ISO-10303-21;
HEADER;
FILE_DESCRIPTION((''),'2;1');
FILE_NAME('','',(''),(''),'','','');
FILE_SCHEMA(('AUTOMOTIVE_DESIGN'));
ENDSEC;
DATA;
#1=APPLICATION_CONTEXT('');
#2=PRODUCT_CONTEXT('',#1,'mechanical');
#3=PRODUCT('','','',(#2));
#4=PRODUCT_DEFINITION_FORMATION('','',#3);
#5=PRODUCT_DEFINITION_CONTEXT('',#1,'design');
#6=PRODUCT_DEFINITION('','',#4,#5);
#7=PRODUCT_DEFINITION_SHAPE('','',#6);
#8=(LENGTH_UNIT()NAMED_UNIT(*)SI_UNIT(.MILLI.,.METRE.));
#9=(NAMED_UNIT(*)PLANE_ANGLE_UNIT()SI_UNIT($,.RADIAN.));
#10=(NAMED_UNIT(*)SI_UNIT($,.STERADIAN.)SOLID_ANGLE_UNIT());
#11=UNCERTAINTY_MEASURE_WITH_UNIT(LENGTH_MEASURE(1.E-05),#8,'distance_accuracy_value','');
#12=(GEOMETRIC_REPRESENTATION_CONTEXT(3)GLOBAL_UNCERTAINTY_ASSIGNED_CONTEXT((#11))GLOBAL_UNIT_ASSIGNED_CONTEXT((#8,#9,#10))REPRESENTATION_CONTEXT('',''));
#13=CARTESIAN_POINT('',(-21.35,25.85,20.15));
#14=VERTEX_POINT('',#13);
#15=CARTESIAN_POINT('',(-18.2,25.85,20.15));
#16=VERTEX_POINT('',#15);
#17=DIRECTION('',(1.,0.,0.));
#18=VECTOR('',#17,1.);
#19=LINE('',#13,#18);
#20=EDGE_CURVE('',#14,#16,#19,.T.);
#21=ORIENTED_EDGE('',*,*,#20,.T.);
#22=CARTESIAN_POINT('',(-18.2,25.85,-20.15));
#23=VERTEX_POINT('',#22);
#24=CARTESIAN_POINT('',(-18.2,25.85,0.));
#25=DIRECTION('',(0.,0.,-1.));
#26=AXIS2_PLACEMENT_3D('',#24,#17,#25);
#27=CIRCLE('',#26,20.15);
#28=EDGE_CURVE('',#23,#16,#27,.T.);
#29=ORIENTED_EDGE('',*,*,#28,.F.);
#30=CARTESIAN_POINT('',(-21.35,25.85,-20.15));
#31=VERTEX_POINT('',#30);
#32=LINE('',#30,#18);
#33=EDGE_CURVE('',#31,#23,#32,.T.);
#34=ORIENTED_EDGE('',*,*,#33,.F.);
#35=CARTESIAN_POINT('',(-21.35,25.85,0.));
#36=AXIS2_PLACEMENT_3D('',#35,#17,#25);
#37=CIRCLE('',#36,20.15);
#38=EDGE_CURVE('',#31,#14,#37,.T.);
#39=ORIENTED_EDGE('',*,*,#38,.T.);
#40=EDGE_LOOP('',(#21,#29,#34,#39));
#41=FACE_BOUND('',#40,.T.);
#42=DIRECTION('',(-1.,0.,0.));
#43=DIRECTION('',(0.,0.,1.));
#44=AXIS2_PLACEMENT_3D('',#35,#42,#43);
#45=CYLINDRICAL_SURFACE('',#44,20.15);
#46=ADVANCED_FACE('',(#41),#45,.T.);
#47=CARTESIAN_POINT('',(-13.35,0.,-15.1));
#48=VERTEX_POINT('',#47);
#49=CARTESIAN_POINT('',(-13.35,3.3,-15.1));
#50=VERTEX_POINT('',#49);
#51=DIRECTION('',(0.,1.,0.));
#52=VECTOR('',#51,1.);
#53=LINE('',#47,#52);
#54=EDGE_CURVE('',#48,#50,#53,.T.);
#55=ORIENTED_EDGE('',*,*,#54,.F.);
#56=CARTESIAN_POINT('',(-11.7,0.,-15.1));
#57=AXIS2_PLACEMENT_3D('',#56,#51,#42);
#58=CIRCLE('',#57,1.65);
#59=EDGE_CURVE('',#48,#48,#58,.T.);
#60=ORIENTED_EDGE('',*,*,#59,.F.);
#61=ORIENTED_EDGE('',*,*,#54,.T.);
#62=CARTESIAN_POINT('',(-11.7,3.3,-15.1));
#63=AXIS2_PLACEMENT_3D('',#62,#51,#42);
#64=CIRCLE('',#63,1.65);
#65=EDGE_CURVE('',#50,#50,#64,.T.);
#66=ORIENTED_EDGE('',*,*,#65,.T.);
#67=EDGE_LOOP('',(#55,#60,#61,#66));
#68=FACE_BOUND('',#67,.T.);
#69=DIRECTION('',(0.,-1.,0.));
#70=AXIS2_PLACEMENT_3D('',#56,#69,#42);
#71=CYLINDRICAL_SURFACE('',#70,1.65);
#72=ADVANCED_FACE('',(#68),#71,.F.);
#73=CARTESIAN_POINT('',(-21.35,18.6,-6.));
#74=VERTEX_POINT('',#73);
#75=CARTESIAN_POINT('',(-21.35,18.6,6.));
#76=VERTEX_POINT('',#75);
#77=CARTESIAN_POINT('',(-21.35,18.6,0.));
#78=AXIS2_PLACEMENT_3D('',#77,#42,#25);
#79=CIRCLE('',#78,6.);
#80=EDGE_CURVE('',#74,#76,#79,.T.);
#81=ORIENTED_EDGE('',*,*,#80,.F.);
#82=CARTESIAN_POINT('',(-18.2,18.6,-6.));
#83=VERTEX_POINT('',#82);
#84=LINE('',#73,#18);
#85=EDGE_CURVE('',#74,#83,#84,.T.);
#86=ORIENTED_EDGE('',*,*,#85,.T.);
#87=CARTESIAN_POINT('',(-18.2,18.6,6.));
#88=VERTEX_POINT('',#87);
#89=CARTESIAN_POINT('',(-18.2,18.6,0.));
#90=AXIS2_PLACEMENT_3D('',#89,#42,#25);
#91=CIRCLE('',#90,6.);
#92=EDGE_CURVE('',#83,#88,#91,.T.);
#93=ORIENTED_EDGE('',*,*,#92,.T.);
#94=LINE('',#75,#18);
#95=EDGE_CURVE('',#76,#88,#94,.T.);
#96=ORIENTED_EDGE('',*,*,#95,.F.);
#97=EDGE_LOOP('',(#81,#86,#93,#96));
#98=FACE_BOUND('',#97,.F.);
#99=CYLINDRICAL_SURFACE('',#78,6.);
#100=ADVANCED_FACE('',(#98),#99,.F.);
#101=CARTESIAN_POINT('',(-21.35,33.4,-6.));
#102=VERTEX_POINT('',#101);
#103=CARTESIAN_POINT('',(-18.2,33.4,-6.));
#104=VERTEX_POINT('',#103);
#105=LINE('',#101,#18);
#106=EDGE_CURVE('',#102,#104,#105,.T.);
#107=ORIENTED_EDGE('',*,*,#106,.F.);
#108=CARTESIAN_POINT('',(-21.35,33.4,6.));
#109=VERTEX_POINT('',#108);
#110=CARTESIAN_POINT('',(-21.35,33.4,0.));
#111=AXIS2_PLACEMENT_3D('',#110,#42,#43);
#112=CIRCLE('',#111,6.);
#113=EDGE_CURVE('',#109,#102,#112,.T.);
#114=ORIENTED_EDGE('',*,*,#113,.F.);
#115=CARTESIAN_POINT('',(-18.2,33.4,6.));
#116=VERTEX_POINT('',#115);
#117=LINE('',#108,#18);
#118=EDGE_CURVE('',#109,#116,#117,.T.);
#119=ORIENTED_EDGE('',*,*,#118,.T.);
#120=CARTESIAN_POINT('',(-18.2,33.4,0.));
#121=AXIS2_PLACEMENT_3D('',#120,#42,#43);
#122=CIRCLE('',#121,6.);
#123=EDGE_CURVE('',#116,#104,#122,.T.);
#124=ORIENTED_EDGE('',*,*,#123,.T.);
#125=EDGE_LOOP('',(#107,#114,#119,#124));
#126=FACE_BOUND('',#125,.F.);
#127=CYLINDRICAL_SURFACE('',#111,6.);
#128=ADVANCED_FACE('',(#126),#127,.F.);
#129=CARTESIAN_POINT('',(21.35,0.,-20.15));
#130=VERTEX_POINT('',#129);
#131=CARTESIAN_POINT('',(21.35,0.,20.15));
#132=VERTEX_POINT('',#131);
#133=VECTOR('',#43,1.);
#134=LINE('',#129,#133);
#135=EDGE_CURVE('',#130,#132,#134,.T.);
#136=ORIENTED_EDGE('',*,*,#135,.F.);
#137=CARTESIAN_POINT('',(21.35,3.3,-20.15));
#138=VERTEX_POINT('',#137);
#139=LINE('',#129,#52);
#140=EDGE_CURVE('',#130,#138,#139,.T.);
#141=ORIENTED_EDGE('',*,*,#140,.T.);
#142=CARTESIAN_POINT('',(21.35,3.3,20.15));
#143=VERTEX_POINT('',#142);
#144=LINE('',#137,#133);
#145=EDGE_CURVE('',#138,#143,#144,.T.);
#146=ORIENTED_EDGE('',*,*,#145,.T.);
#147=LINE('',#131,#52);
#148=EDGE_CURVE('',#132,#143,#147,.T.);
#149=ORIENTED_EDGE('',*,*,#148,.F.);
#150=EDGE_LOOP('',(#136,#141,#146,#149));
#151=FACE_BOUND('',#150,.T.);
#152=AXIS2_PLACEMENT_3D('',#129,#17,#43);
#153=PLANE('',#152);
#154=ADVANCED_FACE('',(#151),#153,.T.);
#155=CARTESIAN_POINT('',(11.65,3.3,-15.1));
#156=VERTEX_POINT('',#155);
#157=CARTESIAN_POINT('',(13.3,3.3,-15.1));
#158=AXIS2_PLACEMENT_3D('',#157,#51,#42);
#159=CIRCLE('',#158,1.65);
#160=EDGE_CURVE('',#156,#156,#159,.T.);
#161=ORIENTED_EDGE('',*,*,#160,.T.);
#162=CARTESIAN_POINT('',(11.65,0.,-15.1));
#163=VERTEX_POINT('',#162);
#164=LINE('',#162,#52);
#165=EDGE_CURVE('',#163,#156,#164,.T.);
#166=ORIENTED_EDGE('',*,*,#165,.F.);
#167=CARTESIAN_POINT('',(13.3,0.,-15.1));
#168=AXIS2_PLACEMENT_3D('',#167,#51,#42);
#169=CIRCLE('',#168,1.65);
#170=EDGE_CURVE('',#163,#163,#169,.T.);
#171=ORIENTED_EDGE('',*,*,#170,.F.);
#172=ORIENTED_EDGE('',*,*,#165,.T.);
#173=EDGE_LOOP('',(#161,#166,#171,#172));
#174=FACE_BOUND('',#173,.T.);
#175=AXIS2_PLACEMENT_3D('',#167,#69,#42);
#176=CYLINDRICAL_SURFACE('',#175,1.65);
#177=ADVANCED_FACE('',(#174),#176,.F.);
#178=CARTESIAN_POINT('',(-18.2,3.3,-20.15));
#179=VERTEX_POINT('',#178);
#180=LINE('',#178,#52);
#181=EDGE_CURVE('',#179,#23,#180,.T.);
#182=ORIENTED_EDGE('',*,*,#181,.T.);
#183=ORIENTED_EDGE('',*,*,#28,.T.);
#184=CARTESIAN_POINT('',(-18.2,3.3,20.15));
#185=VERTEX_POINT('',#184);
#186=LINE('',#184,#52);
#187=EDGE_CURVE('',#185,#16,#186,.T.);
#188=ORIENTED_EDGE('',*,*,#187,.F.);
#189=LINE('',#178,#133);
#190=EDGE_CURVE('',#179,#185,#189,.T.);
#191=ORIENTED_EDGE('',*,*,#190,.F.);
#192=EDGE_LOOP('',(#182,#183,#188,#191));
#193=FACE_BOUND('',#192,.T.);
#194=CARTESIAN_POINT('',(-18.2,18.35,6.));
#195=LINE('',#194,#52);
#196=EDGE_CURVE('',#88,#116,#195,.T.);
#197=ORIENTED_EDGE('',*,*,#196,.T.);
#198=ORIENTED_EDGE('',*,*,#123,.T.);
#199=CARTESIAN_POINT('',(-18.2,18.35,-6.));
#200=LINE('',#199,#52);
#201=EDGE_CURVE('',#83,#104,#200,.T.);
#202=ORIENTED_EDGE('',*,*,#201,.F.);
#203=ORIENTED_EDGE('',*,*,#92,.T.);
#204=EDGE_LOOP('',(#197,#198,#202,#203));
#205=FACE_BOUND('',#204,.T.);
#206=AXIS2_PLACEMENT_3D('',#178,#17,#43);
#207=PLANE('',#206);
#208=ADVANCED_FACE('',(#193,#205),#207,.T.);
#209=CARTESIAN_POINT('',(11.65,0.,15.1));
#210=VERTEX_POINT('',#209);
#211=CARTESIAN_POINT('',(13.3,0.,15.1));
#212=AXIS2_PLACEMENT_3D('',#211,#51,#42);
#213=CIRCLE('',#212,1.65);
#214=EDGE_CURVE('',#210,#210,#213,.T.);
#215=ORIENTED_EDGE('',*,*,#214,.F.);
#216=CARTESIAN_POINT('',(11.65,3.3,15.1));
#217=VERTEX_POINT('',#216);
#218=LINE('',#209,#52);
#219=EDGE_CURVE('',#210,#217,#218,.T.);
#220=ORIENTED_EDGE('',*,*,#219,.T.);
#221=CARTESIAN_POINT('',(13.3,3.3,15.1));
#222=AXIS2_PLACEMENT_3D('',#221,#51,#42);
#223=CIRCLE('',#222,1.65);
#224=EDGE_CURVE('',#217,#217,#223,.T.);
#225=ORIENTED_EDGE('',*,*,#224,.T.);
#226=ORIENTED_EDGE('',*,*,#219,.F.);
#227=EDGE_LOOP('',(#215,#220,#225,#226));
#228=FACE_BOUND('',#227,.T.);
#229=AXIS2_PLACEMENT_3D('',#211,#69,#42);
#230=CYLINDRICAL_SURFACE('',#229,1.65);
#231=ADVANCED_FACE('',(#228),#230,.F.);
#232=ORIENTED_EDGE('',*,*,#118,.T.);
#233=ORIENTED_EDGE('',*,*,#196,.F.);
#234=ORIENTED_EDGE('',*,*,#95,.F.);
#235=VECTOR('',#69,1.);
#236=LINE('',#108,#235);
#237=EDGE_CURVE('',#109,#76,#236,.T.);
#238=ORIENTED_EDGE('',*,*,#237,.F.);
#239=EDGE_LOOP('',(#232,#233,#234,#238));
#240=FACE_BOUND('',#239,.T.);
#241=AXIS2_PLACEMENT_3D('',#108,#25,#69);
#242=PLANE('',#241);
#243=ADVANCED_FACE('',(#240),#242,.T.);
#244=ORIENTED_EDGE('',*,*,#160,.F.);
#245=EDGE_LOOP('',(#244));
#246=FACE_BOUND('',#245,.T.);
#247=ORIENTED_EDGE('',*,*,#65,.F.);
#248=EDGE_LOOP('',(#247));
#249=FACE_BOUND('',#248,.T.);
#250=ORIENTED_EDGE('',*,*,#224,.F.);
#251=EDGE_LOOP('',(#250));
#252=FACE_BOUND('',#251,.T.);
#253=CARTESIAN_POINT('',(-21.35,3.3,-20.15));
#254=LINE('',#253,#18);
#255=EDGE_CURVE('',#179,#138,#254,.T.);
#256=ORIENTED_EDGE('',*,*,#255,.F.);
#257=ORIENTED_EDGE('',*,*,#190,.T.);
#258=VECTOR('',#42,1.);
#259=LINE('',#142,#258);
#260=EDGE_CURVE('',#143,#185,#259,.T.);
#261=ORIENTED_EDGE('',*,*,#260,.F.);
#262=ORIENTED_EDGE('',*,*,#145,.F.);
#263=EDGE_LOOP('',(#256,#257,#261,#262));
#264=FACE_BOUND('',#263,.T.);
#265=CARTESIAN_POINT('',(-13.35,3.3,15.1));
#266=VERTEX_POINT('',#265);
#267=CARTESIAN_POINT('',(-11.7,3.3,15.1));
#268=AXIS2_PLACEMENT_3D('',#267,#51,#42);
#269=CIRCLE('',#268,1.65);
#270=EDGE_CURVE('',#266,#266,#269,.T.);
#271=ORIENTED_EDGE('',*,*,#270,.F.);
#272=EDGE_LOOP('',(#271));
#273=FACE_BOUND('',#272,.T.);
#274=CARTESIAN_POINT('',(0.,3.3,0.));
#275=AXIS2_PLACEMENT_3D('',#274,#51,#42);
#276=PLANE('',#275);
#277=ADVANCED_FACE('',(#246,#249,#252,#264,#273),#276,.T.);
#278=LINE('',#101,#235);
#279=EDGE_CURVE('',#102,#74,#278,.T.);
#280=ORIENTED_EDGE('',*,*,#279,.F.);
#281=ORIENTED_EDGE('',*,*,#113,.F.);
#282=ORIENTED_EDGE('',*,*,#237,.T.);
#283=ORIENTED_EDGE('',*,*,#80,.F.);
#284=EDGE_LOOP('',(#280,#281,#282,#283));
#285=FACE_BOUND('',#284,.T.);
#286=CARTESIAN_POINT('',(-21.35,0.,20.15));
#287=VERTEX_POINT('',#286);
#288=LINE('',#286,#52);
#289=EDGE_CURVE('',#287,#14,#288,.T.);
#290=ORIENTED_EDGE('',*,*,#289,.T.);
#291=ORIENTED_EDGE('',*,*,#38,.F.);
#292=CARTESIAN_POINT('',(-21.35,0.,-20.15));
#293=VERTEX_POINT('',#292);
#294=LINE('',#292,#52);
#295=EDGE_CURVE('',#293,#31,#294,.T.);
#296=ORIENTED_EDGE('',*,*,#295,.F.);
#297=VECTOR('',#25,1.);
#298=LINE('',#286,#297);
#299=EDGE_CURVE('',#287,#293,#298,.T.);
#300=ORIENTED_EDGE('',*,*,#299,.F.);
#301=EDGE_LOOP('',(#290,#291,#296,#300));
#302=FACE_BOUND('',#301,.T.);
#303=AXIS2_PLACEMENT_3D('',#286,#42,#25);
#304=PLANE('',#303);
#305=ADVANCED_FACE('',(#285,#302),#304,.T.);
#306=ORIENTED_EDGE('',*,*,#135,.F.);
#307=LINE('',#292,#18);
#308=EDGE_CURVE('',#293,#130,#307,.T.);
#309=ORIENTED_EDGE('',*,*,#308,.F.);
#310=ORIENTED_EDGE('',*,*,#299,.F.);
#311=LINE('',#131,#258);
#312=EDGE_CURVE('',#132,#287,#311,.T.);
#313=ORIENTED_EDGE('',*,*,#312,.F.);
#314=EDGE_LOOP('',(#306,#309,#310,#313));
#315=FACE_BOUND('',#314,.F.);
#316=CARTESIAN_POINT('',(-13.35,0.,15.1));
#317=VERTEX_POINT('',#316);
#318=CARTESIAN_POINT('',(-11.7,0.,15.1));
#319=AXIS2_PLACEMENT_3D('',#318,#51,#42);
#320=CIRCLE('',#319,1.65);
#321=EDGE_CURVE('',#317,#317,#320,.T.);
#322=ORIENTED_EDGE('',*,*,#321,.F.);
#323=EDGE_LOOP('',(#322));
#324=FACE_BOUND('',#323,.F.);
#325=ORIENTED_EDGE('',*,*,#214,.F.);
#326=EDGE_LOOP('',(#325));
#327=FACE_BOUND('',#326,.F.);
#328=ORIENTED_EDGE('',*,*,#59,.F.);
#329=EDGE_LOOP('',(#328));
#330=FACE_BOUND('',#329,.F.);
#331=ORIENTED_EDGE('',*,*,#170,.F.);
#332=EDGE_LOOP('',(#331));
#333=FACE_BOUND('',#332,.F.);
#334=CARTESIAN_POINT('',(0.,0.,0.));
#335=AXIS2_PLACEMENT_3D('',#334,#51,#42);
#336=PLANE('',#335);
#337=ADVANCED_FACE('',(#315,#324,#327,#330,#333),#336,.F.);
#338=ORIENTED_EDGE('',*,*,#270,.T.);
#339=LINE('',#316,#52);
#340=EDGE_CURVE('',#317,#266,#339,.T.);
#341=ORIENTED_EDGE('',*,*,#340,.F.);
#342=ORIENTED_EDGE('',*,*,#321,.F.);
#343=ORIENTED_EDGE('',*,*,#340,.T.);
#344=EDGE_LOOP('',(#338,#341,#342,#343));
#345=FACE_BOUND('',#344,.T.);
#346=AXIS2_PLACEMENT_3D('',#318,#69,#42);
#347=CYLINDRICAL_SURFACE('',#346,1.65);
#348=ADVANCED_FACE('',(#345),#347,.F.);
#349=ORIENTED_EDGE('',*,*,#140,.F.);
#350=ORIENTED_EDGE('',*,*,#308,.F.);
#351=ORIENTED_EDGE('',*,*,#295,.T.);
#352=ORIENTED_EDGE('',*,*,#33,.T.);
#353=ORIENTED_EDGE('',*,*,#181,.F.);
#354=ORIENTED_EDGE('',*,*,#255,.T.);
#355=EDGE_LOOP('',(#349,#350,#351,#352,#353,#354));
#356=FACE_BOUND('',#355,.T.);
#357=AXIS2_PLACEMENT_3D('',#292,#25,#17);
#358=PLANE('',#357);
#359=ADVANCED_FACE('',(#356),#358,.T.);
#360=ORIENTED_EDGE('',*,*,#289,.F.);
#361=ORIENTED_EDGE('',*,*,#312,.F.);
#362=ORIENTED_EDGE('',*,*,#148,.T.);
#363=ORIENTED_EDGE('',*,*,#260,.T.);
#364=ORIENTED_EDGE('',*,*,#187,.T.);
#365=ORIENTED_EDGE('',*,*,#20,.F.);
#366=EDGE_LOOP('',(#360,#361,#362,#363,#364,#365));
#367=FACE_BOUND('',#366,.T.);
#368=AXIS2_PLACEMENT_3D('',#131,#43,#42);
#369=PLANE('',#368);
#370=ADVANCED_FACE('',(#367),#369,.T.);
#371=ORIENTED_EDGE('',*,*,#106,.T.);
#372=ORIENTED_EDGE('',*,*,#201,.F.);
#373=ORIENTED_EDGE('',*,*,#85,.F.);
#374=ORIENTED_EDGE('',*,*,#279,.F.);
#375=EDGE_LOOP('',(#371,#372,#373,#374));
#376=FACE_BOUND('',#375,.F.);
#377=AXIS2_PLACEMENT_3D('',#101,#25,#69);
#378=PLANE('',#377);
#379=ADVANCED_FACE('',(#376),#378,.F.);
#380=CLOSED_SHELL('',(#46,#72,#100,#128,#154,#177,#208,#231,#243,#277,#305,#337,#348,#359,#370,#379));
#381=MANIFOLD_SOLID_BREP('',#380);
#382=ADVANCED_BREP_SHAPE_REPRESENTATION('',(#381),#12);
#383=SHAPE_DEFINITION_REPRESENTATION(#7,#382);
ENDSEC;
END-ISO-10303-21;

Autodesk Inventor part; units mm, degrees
ref_plane "YZ Plane" through (0, 0, 0) normal (1, 0, 0) x (0, 1, 0)
ref_plane "XZ Plane" through (0, 0, 0) normal (0, 1, 0) x (-1, 0, 0)
ref_plane "XY Plane" through (0, 0, 0) normal (0, 0, 1) x (1, 0, 0)
sketch "Sketch1" plane through (0, 0, 0) normal (0, 1, 0) x (-1, 0, 0)
  line L0 (21.35, -20.15) -> (-21.35, -20.15)
  line L1 (-21.35, -20.15) -> (-21.35, 20.15)
  line L2 (-21.35, 20.15) -> (21.35, 20.15)
  line L3 (21.35, 20.15) -> (21.35, -20.15)
  circle A0 centre (-13.3, -15.1) radius 1.65
  circle A1 centre (11.7, -15.1) radius 1.65
  circle A2 centre (-13.3, 15.1) radius 1.65
  circle A3 centre (11.7, 15.1) radius 1.65
  point P0 (0, 0)
  point P1 (0, -20.15)
  point P2 (21.35, 0)
  dimension "d0" = 40.3
  dimension "d1" = 42.7
  dimension "d2" = 6.4
  dimension "d3" = 3.3
  dimension "d4" = 3.4
  dimension "d7" = 25
  dimension "d10" = 30.2
extrude "Extrusion1" add sketch "Sketch1" along normal blind 3.3
sketch "Sketch2" plane through (0, 3.3, 0) normal (0, 1, 0) x (1, 0, 0)
  line L0 (-21.35, 20.15) -> (-21.35, -20.15) projected
  line L1 (-21.35, -20.15) -> (21.35, -20.15) projected
  line L2 (-21.35, 20.15) -> (-18.2, 20.15)
  line L3 (-18.2, 20.15) -> (-18.2, -20.15)
  line L4 (-18.2, -20.15) -> (-21.35, -20.15)
  line L5 (-21.35, -20.15) -> (-21.35, 20.15)
  point P0 (0, 0)
  dimension "d15" = 3.15
extrude "Extrusion2" add sketch "Sketch2" along normal blind 42.7
sketch "Sketch3" plane through (-21.35, 0, -20.15) normal (-1, 0, 0) x (0, 0, 1)
  line L0 (40.3, 3.3) -> (40.3, 46) projected
  line L1 (0, 3.3) -> (0, 46) projected
  arc A0 (40.3, 25.85) -> (0, 25.85) centre (20.15, 25.85) ccw
  line L2 (0, 46) -> (40.3, 46) projected
  point P0 (20.15, 0)
  point P1 (20.15, 46)
  point P2 (0, 31.0213)
  point P3 (40.3, 31.0213)
extrude "Extrusion3" cut sketch "Sketch3" against normal through all
sketch "Sketch4" plane through (-21.35, 0, -20.15) normal (-1, 0, 0) x (0, 0, 1)
  arc A0 (26.15, 33.4) -> (14.15, 33.4) centre (20.15, 33.4) ccw
  line L0 (14.15, 33.4) -> (14.15, 18.6)
  line L1 (26.15, 33.4) -> (26.15, 18.6)
  arc A1 (14.15, 18.6) -> (26.15, 18.6) centre (20.15, 18.6) ccw
  arc A2 (40.3, 25.85) -> (0, 25.85) centre (20.15, 25.85) ccw projected
  point P0 (20.15, 0)
  point P1 (20.15, 46)
  point P2 (20.15, 39.4)
  point P3 (20.15, 46)
  point P4 (20.15, 12.6)
  dimension "d20" = 6.6
  dimension "d21" = 6
  dimension "d22" = 26.8
extrude "Extrusion4" cut sketch "Sketch4" against normal through all
properties part number "Drive Motor Stand"
